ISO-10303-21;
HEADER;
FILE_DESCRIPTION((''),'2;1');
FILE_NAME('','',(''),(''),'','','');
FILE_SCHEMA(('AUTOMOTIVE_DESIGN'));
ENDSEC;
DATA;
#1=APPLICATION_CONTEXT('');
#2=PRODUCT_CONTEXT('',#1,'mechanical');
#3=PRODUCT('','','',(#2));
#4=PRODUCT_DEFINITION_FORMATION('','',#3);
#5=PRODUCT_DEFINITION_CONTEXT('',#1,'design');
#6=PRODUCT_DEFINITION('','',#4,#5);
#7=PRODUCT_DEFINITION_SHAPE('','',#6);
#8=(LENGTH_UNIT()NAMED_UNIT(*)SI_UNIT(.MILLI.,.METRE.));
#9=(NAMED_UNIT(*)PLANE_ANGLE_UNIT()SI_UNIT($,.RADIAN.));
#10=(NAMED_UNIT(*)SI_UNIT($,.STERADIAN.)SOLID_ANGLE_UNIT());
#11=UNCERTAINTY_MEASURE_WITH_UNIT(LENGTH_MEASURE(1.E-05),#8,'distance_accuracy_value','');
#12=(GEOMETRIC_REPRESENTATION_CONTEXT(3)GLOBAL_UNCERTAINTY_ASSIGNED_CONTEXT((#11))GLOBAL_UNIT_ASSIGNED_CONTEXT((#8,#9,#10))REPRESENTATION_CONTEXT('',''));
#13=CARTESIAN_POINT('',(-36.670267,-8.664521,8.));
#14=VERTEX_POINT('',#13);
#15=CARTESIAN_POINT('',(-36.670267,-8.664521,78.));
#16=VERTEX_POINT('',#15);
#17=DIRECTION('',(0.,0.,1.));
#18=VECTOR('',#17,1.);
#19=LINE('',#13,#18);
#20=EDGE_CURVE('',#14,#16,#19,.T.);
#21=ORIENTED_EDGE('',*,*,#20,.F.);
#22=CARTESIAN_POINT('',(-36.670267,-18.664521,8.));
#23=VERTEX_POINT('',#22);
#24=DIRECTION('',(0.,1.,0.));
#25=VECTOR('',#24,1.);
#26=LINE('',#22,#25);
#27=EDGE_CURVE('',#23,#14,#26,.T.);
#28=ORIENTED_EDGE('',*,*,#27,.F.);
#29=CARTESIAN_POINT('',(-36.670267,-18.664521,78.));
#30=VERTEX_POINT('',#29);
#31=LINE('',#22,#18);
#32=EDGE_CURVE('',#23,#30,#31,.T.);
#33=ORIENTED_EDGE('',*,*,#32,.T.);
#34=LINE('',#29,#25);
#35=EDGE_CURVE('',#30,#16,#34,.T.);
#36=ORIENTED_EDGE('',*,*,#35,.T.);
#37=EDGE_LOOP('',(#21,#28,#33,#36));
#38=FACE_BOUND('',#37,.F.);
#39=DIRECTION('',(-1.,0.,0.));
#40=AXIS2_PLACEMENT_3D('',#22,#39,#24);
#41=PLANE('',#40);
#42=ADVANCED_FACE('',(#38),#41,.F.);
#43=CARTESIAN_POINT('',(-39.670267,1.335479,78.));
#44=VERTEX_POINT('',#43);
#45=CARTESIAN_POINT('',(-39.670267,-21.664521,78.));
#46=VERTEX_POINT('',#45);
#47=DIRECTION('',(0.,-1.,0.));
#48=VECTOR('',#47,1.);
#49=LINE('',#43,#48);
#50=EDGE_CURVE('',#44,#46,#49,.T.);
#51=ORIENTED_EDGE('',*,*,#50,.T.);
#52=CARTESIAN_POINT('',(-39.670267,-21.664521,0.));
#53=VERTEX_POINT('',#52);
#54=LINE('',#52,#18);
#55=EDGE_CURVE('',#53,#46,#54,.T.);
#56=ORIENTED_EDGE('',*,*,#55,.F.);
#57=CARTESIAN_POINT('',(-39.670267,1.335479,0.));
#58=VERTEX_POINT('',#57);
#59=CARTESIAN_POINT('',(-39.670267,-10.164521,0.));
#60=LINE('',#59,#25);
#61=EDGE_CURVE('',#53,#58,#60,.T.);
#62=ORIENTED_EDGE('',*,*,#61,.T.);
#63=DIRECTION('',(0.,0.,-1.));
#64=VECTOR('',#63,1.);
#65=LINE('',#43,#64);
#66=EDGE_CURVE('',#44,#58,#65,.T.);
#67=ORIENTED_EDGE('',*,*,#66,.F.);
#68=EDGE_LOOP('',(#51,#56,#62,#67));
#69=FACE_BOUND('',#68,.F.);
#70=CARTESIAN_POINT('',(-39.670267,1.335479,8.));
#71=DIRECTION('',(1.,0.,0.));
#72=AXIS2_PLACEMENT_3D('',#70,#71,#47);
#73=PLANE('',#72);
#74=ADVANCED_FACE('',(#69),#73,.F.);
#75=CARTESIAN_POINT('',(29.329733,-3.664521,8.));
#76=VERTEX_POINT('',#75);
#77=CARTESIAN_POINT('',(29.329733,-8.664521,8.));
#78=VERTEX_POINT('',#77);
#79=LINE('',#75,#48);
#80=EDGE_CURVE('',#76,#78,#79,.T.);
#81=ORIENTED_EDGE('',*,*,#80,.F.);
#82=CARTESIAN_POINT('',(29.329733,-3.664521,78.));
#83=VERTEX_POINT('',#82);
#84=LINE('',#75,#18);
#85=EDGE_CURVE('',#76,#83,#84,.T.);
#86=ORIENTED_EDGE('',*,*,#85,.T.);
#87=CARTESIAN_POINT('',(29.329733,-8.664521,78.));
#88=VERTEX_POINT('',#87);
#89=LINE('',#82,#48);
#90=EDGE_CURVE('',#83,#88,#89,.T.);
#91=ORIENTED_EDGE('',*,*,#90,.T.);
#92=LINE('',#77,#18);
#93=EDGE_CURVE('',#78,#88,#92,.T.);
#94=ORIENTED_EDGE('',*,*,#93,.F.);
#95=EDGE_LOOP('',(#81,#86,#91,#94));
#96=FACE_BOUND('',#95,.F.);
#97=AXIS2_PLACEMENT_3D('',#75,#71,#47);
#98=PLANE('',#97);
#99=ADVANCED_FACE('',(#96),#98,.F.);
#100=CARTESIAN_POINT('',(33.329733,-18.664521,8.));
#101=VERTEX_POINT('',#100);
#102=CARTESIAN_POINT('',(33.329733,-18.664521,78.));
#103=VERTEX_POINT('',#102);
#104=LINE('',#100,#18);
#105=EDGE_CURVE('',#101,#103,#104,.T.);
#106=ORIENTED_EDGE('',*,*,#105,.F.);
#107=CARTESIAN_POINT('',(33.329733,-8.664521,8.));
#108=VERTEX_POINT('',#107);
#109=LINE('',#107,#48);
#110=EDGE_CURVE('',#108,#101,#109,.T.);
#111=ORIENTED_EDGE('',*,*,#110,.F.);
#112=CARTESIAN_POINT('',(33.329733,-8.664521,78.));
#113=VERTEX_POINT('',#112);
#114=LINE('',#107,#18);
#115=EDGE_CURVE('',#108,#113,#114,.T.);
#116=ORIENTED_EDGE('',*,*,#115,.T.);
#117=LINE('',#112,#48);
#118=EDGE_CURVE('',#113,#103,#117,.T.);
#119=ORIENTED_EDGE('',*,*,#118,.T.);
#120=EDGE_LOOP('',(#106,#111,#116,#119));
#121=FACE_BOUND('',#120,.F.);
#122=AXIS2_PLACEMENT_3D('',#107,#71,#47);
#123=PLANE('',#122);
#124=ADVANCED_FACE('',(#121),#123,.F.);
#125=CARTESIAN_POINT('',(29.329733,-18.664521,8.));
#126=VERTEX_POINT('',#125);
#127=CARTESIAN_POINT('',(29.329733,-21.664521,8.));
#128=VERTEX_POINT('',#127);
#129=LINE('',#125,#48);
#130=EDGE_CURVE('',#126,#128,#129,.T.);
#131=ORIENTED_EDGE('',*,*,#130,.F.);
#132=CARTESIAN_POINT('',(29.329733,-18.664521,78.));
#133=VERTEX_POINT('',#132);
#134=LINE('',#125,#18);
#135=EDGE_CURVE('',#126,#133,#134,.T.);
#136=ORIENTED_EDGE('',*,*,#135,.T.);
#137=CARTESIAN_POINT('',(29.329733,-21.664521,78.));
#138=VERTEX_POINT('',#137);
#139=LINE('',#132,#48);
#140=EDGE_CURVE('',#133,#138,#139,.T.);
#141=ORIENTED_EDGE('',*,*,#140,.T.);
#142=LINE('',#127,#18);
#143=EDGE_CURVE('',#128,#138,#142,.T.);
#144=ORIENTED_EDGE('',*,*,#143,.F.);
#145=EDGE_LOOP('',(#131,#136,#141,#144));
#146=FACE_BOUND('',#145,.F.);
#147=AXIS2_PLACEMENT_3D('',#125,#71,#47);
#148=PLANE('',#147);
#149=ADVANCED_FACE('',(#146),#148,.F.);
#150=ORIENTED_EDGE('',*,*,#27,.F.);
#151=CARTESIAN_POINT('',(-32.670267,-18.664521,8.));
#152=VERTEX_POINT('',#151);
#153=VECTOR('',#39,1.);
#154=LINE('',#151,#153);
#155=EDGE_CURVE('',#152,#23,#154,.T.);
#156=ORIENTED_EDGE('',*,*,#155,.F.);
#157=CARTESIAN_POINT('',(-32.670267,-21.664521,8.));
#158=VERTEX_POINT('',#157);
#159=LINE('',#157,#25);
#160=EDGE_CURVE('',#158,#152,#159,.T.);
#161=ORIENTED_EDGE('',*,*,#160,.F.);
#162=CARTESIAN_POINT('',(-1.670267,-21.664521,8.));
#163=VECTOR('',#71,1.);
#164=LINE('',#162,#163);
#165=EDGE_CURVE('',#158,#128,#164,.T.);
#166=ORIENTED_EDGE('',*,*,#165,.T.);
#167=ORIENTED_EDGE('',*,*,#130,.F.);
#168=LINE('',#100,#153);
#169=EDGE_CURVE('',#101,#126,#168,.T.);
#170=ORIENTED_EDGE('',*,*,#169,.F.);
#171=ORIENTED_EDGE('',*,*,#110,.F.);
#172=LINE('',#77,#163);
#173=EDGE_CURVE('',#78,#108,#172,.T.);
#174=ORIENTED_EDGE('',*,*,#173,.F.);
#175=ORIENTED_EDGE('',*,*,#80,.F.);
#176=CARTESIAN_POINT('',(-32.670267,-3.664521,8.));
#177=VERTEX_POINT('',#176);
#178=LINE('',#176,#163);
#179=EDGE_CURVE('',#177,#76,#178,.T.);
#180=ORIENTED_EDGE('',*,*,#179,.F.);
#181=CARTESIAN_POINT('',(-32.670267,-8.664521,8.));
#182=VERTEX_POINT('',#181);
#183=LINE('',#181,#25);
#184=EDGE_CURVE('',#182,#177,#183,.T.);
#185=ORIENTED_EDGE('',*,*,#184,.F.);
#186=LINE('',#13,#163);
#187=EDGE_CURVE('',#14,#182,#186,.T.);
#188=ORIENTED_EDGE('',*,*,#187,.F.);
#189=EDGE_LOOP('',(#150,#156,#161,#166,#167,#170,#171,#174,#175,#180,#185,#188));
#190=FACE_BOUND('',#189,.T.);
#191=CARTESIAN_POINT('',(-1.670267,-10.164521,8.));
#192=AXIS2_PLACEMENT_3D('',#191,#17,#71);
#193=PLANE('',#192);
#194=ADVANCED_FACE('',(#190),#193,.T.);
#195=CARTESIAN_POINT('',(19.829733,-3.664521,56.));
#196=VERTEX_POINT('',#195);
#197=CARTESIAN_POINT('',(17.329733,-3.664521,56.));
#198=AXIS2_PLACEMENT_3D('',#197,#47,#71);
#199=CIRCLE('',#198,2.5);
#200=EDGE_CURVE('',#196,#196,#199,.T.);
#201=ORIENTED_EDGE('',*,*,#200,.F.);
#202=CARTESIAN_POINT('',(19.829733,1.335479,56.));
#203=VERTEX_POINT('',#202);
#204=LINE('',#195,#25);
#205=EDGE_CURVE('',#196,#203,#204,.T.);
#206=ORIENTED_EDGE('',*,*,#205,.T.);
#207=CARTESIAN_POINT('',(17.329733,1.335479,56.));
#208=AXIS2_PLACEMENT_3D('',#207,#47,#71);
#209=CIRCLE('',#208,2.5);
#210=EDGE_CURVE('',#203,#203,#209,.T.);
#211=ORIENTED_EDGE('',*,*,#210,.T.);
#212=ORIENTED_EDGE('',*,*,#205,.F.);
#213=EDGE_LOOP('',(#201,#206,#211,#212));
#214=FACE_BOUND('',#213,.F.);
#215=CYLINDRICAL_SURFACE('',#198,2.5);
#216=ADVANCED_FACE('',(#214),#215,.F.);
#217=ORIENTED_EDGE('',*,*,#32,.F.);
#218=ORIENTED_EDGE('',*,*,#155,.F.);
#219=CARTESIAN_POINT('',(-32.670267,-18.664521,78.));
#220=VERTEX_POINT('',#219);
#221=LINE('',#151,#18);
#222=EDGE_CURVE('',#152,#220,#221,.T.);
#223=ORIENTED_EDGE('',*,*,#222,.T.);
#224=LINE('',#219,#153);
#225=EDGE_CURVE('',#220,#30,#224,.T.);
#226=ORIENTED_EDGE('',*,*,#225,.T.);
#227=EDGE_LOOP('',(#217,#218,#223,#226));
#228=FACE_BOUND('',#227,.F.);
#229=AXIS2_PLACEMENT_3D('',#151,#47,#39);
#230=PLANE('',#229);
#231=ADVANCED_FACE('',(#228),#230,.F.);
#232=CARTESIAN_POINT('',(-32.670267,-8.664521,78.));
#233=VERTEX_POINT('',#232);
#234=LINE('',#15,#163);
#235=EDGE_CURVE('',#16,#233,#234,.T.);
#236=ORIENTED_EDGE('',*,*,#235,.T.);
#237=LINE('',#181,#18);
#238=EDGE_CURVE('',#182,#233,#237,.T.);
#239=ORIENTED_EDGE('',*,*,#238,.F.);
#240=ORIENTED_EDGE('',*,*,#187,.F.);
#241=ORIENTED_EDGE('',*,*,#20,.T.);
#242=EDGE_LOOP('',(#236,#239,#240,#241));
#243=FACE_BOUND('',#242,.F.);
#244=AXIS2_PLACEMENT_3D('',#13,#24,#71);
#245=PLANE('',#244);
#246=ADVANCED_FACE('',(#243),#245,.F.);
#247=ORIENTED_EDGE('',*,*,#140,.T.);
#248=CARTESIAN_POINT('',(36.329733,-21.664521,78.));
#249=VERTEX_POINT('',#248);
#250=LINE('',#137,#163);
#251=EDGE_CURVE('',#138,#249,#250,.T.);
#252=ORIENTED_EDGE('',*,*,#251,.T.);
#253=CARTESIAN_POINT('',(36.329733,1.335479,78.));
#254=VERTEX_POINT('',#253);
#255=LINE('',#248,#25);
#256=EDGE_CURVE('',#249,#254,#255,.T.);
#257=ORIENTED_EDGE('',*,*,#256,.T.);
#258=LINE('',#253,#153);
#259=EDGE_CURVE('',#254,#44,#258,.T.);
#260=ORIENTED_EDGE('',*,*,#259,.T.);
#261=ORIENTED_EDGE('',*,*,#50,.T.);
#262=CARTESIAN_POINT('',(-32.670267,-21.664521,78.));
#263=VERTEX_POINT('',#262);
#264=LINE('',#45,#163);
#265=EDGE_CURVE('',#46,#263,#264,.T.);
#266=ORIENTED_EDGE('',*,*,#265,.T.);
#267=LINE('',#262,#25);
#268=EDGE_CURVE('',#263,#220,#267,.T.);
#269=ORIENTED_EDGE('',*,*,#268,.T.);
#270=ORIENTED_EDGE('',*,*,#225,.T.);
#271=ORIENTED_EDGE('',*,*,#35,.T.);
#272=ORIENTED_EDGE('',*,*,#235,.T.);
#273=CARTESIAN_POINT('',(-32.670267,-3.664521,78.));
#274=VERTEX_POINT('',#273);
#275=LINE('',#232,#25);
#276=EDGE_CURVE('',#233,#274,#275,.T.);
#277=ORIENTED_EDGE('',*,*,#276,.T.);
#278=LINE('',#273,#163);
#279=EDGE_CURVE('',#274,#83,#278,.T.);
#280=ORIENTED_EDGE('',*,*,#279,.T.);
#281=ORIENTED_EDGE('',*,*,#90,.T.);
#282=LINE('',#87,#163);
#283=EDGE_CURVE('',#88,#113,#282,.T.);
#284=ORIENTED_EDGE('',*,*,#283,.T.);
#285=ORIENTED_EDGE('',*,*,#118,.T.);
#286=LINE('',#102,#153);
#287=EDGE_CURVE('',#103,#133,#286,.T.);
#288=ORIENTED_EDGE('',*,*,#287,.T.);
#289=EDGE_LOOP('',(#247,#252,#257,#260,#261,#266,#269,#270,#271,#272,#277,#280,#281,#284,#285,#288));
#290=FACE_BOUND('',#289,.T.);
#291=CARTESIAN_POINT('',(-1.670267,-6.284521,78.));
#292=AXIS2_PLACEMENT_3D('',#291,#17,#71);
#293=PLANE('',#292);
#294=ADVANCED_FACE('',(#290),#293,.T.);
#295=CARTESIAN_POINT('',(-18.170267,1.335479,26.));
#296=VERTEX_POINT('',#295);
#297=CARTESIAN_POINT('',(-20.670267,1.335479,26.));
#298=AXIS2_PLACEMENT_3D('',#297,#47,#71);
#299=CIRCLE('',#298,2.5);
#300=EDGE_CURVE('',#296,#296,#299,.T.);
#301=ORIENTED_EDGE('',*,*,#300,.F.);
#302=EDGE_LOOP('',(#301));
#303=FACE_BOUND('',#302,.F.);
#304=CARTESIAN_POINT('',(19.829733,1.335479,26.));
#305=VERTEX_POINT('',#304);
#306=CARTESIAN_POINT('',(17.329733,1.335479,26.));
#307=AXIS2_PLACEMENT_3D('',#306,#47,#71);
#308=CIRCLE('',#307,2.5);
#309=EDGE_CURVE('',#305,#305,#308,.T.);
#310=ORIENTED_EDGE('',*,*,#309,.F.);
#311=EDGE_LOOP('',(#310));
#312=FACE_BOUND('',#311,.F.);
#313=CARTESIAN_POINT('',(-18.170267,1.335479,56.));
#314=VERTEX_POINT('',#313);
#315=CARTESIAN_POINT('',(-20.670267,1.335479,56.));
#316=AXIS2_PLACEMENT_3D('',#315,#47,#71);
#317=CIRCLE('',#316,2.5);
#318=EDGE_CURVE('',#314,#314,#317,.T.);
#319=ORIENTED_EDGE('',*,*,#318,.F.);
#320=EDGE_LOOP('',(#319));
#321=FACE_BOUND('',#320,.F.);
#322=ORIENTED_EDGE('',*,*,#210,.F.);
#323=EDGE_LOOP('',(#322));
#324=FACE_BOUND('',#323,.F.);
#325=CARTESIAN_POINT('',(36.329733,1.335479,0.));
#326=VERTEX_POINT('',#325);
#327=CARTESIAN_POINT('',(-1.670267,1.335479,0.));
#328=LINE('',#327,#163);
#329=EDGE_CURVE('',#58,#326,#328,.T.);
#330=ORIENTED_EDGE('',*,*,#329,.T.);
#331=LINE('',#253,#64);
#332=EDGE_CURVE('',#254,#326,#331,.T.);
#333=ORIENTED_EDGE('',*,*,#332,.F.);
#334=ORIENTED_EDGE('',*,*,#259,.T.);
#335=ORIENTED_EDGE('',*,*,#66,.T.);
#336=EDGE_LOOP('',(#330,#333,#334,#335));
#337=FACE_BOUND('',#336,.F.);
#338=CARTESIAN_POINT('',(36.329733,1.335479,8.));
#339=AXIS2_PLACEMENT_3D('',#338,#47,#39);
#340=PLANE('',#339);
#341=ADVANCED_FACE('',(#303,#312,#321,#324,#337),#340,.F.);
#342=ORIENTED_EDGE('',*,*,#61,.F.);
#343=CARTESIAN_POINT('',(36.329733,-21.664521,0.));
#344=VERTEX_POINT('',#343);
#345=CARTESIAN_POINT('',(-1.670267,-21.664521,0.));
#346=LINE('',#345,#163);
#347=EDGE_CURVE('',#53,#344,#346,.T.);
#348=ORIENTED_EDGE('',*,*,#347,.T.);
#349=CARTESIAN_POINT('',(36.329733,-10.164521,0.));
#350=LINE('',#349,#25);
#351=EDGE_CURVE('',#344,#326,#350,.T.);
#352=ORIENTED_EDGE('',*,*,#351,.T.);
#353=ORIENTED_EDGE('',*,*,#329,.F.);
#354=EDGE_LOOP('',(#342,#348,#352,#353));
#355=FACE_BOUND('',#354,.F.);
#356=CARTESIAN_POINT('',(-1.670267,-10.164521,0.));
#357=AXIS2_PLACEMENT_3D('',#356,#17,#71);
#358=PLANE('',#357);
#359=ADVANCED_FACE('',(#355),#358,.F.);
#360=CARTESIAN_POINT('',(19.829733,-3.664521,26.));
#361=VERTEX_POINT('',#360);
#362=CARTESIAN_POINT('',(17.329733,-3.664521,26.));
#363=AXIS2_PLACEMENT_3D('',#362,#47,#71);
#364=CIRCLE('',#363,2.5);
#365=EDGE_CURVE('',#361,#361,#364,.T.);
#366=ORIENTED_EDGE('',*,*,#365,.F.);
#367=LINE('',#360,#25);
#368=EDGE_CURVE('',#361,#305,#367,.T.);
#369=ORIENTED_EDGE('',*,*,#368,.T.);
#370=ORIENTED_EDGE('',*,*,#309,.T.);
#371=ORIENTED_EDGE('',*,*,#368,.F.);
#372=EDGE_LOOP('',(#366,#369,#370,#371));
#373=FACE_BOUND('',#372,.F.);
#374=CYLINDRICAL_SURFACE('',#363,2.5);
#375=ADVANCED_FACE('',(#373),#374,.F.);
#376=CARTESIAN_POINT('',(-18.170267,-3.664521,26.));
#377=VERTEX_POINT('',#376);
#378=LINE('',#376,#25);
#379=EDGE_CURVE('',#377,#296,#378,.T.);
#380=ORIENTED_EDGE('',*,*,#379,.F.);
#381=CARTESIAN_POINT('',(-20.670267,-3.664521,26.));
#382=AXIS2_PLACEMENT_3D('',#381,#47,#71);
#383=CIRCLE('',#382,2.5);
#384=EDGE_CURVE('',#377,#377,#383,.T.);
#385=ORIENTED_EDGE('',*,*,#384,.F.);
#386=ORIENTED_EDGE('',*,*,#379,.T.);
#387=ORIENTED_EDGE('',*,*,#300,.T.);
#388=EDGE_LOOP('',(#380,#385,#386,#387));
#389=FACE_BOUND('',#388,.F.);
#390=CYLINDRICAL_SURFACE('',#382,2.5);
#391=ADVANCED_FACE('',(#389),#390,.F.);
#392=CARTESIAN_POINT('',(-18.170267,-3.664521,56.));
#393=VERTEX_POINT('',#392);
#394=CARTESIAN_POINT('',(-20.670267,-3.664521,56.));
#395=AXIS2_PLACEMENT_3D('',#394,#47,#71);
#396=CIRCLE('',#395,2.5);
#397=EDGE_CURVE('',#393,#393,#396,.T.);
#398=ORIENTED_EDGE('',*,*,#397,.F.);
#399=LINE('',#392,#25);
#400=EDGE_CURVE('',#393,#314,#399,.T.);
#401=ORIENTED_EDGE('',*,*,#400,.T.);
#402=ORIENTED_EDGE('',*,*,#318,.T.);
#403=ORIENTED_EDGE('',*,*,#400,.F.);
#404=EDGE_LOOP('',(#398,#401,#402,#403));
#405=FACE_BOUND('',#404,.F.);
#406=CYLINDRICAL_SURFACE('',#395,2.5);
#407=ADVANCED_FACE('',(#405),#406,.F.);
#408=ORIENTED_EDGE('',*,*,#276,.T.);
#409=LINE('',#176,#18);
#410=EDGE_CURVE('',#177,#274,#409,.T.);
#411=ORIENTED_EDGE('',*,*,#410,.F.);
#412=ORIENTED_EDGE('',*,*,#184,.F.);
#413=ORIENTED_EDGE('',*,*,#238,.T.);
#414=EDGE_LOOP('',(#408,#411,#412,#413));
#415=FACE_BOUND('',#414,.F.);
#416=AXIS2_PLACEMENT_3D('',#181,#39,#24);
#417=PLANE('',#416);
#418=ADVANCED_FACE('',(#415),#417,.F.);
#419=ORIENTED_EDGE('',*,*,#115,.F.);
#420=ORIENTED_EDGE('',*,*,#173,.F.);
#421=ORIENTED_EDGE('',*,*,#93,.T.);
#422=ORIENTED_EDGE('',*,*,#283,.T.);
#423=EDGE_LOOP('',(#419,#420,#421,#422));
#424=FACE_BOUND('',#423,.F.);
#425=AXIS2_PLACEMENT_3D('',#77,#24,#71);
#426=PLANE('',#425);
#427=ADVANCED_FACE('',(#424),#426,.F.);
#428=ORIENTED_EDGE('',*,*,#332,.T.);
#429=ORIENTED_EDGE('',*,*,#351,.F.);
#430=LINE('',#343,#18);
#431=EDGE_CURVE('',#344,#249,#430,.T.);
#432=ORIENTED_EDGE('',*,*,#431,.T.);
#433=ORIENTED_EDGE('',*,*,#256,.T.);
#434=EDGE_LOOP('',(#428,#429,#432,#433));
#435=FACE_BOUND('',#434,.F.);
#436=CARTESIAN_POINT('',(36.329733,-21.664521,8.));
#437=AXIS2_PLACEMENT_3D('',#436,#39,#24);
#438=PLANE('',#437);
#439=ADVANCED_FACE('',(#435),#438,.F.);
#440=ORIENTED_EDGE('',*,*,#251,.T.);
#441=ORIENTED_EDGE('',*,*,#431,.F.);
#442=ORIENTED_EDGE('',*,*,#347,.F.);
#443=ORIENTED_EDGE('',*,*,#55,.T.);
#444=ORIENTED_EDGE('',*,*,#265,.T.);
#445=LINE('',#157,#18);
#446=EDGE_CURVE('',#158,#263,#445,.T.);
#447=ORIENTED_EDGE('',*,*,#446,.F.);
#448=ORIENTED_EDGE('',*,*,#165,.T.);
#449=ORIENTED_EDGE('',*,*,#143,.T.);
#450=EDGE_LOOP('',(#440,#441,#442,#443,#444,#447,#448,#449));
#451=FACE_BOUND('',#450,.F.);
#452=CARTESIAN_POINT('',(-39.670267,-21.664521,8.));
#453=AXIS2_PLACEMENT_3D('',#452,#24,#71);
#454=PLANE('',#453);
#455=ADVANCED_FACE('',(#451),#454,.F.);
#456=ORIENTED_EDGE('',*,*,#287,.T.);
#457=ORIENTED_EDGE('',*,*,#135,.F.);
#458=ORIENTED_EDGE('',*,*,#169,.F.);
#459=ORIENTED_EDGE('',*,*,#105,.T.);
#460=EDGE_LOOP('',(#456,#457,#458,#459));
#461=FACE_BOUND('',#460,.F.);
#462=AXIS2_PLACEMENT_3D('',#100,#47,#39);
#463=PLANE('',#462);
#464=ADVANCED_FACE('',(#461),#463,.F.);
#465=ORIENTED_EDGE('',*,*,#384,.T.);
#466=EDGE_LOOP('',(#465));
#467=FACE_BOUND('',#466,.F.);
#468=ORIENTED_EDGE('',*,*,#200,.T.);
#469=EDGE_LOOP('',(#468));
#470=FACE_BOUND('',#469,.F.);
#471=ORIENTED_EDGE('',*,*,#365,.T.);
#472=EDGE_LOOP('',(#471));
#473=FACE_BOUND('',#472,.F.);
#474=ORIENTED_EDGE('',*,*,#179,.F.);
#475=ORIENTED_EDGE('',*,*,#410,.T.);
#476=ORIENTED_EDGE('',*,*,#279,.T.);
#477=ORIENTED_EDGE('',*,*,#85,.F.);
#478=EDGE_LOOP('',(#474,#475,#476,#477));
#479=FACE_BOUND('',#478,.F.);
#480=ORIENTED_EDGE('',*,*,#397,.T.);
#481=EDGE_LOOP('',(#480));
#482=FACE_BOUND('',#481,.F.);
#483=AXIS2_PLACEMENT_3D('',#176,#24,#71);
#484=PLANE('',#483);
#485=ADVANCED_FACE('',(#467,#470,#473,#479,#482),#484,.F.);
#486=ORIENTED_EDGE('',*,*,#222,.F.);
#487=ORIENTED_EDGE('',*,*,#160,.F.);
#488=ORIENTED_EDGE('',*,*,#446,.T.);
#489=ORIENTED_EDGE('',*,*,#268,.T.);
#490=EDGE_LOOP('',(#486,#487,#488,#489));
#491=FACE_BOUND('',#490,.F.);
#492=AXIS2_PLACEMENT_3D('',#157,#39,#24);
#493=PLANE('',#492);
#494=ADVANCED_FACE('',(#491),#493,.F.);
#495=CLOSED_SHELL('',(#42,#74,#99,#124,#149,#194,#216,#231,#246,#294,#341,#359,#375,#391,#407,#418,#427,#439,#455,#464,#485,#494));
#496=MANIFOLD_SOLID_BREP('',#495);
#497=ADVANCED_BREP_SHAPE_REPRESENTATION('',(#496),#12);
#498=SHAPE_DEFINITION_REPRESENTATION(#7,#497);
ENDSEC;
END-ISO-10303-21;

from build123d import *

# Parameters (mm, degrees)
F0_W     = 76
F0_H     = 23
F1_DEPTH = 8
F3_DEPTH = 70
F4_R     = 2.5
F5_DEPTH = 25


with BuildPart() as f1:
    # F0 (on Top) → F1 (new body)
    with BuildSketch(Plane.XY):
        with Locations((-1.670267, -10.164521)):
            Rectangle(F0_W, F0_H)
    extrude(amount=F1_DEPTH)

    # F2 (on face) → F3 (join)
    with BuildSketch(Plane.XY.offset(8)):
        Polygon((-39.670267, 1.335479), (-39.670267, -21.664521), (-32.670267, -21.664521), (-32.670267, -18.664521), (-36.670267, -18.664521), (-36.670267, -8.664521), (-32.670267, -8.664521), (-32.670267, -3.664521), (29.329733, -3.664521), (29.329733, -8.664521), (33.329733, -8.664521), (33.329733, -18.664521), (29.329733, -18.664521), (29.329733, -21.664521), (36.329733, -21.664521), (36.329733, 1.335479), align=None)
    extrude(amount=F3_DEPTH)

    # F4 (on face) → F5 (cut)
    with BuildSketch(Plane.XZ.offset(3.664521)):
        with Locations((17.329733, 56)):
            Circle(F4_R)
        with Locations((-20.670267, 56)):
            Circle(F4_R)
        with Locations((-20.670267, 26)):
            Circle(F4_R)
        with Locations((17.329733, 26)):
            Circle(F4_R)
    extrude(amount=-F5_DEPTH, mode=Mode.SUBTRACT)


solid = f1.part
